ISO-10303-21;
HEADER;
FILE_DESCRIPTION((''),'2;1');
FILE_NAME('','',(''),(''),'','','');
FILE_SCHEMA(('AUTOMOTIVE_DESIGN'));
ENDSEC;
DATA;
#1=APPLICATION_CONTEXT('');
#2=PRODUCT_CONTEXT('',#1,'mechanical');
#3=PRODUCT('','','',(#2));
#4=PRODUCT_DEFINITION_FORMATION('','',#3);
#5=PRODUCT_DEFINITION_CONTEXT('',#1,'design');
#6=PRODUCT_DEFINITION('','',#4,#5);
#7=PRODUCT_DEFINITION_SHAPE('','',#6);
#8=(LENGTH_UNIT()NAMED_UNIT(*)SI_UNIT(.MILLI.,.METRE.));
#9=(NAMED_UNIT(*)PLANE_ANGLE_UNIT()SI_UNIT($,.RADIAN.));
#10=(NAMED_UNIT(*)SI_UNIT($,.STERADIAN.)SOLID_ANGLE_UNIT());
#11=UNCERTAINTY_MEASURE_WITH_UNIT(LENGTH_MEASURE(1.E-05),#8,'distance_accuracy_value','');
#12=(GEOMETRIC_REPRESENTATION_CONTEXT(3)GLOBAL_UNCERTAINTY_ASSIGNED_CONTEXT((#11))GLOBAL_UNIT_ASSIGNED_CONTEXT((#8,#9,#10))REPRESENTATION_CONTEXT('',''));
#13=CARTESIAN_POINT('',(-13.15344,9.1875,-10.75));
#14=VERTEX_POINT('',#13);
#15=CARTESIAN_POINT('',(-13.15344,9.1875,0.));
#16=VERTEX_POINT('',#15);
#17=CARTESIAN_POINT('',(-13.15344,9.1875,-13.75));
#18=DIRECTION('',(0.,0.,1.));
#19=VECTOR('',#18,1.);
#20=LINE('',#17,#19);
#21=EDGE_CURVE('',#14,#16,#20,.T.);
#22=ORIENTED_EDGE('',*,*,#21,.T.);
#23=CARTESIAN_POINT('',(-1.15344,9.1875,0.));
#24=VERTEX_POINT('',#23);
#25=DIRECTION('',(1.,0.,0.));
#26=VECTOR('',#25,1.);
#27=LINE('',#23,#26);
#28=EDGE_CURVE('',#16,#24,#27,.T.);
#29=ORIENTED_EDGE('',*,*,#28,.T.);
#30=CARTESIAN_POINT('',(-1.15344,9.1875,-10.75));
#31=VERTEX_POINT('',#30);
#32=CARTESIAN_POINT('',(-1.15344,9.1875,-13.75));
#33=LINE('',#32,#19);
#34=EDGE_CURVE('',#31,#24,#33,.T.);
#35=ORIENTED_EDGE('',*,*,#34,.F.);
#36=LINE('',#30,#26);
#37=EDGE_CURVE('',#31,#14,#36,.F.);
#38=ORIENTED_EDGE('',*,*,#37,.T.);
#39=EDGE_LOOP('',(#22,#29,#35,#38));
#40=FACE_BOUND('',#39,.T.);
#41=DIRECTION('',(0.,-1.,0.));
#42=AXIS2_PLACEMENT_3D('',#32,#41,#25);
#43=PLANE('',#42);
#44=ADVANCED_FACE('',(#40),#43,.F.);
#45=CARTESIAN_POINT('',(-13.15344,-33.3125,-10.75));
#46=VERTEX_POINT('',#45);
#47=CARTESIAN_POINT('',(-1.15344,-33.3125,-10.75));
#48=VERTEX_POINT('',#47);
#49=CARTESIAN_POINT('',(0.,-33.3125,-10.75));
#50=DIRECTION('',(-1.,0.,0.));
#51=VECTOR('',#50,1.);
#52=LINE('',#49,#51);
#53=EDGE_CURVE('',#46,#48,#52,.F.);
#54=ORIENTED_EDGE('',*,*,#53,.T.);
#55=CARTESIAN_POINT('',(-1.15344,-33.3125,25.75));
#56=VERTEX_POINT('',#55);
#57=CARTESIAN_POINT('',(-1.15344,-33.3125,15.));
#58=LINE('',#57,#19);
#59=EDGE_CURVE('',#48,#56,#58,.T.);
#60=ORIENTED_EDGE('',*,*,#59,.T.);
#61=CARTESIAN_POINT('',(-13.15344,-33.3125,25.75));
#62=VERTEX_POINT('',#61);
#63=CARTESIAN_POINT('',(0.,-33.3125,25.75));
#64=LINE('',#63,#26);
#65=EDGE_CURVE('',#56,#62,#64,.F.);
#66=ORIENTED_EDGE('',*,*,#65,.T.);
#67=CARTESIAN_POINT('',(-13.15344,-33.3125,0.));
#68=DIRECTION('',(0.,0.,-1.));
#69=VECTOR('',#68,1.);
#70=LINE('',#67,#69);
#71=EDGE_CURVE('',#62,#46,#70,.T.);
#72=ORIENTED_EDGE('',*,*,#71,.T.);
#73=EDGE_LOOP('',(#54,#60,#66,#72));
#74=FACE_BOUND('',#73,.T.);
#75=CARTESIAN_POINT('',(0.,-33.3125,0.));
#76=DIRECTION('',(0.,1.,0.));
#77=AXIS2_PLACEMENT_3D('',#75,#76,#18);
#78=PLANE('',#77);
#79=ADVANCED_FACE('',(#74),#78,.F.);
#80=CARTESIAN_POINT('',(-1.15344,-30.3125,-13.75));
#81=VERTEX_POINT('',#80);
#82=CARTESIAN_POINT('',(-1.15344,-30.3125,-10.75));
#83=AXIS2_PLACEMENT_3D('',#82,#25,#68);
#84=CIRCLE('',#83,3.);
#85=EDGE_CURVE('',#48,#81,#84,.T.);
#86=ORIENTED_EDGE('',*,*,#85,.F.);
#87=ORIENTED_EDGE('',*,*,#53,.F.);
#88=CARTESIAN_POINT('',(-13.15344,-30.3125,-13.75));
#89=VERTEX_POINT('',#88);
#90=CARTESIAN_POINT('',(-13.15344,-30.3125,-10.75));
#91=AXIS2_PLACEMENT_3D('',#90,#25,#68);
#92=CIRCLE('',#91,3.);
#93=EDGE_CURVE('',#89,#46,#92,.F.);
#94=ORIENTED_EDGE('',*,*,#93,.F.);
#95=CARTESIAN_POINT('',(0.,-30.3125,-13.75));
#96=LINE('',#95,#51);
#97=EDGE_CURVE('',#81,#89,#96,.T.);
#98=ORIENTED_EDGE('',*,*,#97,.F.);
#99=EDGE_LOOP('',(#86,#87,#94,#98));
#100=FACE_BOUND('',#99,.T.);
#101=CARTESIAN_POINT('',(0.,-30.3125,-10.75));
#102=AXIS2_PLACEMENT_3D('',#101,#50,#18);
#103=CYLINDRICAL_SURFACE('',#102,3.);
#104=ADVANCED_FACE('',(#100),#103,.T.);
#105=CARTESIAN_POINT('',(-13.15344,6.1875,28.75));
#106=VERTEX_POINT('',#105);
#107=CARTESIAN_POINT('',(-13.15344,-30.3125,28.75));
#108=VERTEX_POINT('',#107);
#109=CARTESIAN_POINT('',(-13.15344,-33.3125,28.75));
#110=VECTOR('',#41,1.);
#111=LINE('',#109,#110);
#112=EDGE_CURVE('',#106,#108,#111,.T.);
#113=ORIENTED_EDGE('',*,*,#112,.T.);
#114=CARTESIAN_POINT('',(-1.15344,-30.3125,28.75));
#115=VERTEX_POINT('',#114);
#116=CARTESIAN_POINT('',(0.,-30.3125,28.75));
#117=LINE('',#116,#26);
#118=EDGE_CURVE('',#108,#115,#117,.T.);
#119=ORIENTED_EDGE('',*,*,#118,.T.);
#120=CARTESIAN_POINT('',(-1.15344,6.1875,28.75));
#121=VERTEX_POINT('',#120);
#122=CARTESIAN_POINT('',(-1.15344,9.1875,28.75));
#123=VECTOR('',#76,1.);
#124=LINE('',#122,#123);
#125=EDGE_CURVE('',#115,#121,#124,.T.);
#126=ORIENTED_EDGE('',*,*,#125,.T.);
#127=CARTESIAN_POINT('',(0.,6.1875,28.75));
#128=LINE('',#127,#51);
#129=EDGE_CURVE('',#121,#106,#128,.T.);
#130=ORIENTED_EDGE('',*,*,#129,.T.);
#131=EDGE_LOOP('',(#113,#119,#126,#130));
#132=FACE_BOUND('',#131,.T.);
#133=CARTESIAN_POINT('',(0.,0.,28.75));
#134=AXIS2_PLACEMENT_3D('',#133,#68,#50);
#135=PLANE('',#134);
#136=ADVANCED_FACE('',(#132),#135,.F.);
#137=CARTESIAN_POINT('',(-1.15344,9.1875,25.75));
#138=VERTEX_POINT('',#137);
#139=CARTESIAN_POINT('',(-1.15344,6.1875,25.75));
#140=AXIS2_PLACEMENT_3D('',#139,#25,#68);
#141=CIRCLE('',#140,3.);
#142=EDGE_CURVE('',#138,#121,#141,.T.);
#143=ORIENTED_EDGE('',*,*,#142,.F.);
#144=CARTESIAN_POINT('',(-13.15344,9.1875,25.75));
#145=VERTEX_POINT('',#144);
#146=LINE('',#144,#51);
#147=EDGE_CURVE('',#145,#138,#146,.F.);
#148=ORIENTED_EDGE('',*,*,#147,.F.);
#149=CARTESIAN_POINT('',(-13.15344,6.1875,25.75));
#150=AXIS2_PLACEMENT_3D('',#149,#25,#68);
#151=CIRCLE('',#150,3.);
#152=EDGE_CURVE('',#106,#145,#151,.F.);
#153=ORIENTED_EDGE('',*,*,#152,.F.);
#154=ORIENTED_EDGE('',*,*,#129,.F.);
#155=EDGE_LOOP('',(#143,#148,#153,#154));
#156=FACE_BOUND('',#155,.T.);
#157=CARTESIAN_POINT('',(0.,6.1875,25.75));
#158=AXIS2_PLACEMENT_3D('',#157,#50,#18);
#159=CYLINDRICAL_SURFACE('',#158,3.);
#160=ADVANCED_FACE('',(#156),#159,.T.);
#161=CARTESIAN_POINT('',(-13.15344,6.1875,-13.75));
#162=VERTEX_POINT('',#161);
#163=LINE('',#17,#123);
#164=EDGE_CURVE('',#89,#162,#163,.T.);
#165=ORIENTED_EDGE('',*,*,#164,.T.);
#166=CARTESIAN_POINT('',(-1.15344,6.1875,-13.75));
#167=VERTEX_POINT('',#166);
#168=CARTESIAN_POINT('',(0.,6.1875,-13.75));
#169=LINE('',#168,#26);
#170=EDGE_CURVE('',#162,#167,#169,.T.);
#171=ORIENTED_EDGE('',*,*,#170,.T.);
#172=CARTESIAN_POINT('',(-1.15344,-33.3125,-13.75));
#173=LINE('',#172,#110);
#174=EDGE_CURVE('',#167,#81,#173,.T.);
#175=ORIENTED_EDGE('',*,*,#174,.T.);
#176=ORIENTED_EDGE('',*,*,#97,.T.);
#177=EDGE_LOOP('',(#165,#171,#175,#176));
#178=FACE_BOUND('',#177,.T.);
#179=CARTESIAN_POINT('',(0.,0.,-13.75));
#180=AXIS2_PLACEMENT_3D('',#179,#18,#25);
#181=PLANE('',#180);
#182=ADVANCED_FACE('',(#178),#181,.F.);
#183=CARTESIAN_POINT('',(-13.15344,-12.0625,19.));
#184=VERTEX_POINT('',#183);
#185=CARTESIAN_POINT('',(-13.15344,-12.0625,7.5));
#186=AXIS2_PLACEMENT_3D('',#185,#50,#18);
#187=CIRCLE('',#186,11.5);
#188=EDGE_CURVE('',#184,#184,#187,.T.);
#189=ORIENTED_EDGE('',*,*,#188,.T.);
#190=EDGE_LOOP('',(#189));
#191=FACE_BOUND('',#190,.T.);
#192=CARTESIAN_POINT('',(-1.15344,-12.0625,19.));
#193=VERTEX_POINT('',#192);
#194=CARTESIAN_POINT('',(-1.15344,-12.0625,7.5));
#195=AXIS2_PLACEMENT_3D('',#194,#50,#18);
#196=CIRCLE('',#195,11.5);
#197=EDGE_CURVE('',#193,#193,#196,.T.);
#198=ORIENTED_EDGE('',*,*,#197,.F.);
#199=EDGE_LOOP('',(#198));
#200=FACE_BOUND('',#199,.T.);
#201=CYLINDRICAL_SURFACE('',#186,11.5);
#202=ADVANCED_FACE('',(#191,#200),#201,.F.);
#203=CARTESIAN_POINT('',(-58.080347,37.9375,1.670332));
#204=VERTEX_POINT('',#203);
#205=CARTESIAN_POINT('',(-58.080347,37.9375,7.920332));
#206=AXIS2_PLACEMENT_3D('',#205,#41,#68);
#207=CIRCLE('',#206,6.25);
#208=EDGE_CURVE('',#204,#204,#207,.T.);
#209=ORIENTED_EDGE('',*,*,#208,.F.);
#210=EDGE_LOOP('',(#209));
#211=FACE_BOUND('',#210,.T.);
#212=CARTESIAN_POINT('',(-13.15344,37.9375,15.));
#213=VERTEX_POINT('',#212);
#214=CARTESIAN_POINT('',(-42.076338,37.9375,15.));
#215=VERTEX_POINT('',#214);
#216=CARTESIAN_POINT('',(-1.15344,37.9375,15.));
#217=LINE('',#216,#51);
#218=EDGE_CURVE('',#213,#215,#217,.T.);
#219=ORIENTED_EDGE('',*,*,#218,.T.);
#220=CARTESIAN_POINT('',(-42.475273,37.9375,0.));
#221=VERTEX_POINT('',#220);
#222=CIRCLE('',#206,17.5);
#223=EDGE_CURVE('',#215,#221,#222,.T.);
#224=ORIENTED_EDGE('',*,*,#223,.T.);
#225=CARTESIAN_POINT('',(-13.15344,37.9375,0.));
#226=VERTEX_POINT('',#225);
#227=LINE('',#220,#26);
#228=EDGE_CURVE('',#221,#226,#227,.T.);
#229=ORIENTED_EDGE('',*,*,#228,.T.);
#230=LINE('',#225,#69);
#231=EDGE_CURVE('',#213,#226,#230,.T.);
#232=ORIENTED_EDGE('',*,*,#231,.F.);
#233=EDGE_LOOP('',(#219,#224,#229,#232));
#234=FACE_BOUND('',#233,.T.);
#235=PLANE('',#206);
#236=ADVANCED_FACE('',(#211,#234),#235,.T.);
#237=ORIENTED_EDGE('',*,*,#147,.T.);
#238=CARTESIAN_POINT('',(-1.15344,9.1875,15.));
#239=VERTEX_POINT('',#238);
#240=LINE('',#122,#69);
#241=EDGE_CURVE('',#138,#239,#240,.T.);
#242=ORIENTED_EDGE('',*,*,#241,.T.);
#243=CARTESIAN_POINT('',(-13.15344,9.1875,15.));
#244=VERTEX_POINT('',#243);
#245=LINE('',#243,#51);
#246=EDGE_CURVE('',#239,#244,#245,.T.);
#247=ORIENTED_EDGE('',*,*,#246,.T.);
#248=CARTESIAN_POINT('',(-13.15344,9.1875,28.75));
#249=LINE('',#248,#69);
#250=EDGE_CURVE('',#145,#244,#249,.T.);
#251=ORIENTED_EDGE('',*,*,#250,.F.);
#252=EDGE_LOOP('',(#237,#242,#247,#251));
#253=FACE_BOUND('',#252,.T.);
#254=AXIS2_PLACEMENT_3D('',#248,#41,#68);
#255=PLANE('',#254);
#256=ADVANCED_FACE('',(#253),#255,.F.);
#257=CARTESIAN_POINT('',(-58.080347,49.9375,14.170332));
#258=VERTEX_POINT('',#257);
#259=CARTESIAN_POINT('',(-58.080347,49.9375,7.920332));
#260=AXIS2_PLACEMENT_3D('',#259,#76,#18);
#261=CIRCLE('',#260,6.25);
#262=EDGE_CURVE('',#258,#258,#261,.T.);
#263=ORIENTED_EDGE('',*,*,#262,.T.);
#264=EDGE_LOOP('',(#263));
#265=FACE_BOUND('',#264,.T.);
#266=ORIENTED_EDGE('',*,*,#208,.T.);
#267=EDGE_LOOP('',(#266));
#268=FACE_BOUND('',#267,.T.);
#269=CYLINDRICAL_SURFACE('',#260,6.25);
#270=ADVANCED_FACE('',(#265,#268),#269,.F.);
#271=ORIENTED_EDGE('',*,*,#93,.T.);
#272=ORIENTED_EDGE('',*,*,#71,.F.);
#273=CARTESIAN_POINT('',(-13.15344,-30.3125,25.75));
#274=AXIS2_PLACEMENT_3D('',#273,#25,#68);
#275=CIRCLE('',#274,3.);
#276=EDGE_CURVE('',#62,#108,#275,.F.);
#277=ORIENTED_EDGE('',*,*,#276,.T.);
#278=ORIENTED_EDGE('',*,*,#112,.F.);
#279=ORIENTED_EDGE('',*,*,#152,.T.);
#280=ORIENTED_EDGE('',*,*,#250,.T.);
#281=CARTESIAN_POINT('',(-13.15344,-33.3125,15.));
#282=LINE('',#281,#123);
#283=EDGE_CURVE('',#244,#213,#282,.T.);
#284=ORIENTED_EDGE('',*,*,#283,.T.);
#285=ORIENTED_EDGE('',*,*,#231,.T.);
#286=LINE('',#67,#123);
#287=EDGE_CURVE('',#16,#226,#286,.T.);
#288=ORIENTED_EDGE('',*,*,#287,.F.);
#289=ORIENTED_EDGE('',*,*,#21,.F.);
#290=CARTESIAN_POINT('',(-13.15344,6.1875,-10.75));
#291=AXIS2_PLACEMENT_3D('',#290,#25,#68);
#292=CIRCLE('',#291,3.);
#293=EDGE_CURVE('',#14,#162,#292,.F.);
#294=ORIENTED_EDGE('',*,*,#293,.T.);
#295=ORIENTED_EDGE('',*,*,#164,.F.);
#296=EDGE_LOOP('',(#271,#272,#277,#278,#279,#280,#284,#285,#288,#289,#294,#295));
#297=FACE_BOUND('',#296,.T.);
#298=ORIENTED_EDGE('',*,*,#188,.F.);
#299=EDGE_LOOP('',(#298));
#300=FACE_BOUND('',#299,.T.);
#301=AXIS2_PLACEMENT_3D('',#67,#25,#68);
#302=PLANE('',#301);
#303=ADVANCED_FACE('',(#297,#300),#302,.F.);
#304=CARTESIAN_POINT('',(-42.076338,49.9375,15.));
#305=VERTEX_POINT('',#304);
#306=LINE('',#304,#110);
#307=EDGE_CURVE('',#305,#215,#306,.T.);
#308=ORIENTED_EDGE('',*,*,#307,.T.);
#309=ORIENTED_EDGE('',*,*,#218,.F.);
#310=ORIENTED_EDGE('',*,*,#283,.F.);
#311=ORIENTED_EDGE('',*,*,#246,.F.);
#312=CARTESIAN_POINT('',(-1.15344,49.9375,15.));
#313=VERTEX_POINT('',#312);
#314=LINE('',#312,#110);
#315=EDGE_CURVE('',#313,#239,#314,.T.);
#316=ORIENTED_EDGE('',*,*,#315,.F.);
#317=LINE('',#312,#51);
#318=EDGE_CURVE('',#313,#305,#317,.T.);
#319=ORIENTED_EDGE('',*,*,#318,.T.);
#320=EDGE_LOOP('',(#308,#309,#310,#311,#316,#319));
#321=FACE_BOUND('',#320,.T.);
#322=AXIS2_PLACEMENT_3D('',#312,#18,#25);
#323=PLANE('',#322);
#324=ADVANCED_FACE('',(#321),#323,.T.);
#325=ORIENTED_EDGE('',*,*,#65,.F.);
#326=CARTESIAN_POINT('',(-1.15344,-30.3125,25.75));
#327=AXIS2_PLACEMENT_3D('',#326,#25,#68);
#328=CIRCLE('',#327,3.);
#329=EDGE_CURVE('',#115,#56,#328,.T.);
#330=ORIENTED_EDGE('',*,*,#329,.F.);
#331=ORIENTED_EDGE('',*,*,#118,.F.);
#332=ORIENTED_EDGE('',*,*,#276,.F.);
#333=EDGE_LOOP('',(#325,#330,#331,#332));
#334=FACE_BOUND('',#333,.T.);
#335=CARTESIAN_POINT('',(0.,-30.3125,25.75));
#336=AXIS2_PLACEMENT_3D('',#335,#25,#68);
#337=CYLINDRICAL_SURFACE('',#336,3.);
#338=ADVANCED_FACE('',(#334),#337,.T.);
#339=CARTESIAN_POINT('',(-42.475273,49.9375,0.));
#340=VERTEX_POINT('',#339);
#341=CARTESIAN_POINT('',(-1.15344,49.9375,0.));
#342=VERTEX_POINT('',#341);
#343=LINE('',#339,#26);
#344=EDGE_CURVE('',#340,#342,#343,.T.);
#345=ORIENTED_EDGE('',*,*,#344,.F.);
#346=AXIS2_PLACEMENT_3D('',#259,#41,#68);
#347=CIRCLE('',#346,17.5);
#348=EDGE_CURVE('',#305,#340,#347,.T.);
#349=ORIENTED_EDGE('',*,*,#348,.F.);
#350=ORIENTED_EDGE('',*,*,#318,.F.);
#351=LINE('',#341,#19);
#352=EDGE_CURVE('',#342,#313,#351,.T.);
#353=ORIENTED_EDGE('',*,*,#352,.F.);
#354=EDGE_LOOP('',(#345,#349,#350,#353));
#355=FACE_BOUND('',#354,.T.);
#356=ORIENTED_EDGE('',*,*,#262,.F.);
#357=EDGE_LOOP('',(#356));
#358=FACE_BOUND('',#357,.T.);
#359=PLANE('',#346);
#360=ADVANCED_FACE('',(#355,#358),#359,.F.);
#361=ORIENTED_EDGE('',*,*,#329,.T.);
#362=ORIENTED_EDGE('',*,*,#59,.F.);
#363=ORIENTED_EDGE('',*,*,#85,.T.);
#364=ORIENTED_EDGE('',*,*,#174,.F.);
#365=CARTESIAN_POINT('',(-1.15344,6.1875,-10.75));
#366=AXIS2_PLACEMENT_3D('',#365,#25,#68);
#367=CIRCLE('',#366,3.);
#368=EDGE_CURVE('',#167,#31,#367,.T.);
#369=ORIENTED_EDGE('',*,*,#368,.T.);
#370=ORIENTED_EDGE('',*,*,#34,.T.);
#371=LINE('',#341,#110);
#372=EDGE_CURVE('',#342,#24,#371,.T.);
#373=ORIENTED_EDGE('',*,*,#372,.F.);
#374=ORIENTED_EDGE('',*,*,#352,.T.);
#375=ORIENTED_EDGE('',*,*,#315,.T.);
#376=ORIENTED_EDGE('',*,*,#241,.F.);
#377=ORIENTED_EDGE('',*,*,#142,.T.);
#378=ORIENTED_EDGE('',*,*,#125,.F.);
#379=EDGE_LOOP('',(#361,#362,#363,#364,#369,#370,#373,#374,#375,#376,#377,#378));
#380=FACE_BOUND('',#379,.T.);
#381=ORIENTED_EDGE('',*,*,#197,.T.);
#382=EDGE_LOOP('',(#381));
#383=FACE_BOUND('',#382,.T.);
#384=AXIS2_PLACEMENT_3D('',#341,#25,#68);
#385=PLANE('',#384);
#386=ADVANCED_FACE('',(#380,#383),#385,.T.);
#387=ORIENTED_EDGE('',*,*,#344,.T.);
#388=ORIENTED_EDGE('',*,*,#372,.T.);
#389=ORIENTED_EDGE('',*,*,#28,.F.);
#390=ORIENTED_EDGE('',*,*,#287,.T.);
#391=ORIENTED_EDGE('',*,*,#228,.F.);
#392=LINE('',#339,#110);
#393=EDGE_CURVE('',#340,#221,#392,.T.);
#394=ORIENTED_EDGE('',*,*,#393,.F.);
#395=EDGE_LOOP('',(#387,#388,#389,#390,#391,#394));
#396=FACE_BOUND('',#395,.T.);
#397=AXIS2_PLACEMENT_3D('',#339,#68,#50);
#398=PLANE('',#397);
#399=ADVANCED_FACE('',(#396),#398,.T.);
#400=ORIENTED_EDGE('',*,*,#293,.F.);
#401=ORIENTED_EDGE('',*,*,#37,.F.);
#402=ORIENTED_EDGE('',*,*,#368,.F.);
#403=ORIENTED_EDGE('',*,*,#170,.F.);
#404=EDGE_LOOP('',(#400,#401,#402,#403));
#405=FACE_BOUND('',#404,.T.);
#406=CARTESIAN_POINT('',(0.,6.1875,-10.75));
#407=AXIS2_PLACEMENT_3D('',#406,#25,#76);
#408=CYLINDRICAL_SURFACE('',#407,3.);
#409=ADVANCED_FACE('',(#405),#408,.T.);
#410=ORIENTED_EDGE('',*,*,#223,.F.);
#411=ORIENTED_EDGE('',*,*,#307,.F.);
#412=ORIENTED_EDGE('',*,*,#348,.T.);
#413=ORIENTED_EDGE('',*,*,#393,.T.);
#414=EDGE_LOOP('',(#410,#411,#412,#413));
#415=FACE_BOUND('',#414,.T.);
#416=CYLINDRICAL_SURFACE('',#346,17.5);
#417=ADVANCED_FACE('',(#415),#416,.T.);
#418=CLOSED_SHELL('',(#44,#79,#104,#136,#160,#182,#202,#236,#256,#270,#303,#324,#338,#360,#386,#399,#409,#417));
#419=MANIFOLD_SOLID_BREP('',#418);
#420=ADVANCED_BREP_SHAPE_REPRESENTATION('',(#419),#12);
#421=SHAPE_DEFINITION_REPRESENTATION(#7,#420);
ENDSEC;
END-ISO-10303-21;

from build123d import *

# Parameters (mm, degrees)
Y_KSEKLIK_EKSTR_ZYON1_DEPTH = 12
IZIM2_W                     = 12
IZIM2_H                     = 15
Y_KSEKLIK_EKSTR_ZYON2_DEPTH = 71.25
IZIM3_W                     = 12
IZIM3_H                     = 42.5
Y_KSEKLIK_EKSTR_ZYON3_DEPTH = 13.75
IZIM4_W                     = 12
IZIM4_H                     = 42.5
Y_KSEKLIK_EKSTR_ZYON4_DEPTH = 13.75
F_23_0_23_AP_DELIK1_D       = 23
F_12_5_12_5_AP_DELIK1_D     = 12.5
F_12_5_12_5_AP_DELIK1_DEPTH = 83.25
RADYUS1_R                   = 3


with BuildPart() as part:
    # Çizim1 → Yükseklik-Ekstrüzyon1 (new body)
    with BuildSketch(Plane.XZ.offset(-37.9375)):
        with BuildLine():
            Line((-1.153440428, 15), (-42.076338309, 15))
            ThreePointArc((-42.076338309, 15), (-75.574161168, 8.385590262), (-42.47527254, 0))
            Line((-42.47527254, 0), (-1.153440428, 0))
            Line((-1.153440428, 0), (-1.153440428, 15))
        make_face()
    extrude(amount=-Y_KSEKLIK_EKSTR_ZYON1_DEPTH)

    # Çizim2 → Yükseklik-Ekstrüzyon2 (add)
    with BuildSketch(Plane.XZ.offset(-37.9375)):
        with Locations((-7.153440428, 7.5)):
            Rectangle(IZIM2_W, IZIM2_H)
    extrude(amount=Y_KSEKLIK_EKSTR_ZYON2_DEPTH)

    # Çizim3 → Yükseklik-Ekstrüzyon3 (add)
    with BuildSketch(Plane(origin=(0, 0, 0), x_dir=(-1, 0, 0), z_dir=(0, 0, -1))):
        with Locations((7.153440428, -12.0625)):
            Rectangle(IZIM3_W, IZIM3_H)
    extrude(amount=Y_KSEKLIK_EKSTR_ZYON3_DEPTH)

    # Çizim4 → Yükseklik-Ekstrüzyon4 (add)
    with BuildSketch(Plane.XY.offset(15)):
        with Locations((-7.153440428, -12.0625)):
            Rectangle(IZIM4_W, IZIM4_H)
    extrude(amount=Y_KSEKLIK_EKSTR_ZYON4_DEPTH)

    # Ø23.0 (23) Çap Delik1 (through all)
    with Locations(Plane.ZY.offset(13.153440428)):
        with Locations((7.5, -12.0625)):
            Hole(F_23_0_23_AP_DELIK1_D / 2)

    # Ø12.5 (12.5) Çap Delik1
    with Locations(Plane(origin=(0, 49.9375, 0), x_dir=(1, 0, 0), z_dir=(0, 1, 0))):
        with Locations((-58.080346996, -7.920331509)):
            Hole(F_12_5_12_5_AP_DELIK1_D / 2, depth=F_12_5_12_5_AP_DELIK1_DEPTH)

    # Radyus1
    radyus1_edges = [part.edges().sort_by_distance(p)[0] for p in [
        (-7.153440428, -33.3125, -13.75),
        (-7.153440428, 9.1875, -13.75),
        (-7.153440428, -33.3125, 28.75),
        (-7.153440428, 9.1875, 28.75),
    ]]
    fillet(radyus1_edges, radius=RADYUS1_R)


solid = part.part
